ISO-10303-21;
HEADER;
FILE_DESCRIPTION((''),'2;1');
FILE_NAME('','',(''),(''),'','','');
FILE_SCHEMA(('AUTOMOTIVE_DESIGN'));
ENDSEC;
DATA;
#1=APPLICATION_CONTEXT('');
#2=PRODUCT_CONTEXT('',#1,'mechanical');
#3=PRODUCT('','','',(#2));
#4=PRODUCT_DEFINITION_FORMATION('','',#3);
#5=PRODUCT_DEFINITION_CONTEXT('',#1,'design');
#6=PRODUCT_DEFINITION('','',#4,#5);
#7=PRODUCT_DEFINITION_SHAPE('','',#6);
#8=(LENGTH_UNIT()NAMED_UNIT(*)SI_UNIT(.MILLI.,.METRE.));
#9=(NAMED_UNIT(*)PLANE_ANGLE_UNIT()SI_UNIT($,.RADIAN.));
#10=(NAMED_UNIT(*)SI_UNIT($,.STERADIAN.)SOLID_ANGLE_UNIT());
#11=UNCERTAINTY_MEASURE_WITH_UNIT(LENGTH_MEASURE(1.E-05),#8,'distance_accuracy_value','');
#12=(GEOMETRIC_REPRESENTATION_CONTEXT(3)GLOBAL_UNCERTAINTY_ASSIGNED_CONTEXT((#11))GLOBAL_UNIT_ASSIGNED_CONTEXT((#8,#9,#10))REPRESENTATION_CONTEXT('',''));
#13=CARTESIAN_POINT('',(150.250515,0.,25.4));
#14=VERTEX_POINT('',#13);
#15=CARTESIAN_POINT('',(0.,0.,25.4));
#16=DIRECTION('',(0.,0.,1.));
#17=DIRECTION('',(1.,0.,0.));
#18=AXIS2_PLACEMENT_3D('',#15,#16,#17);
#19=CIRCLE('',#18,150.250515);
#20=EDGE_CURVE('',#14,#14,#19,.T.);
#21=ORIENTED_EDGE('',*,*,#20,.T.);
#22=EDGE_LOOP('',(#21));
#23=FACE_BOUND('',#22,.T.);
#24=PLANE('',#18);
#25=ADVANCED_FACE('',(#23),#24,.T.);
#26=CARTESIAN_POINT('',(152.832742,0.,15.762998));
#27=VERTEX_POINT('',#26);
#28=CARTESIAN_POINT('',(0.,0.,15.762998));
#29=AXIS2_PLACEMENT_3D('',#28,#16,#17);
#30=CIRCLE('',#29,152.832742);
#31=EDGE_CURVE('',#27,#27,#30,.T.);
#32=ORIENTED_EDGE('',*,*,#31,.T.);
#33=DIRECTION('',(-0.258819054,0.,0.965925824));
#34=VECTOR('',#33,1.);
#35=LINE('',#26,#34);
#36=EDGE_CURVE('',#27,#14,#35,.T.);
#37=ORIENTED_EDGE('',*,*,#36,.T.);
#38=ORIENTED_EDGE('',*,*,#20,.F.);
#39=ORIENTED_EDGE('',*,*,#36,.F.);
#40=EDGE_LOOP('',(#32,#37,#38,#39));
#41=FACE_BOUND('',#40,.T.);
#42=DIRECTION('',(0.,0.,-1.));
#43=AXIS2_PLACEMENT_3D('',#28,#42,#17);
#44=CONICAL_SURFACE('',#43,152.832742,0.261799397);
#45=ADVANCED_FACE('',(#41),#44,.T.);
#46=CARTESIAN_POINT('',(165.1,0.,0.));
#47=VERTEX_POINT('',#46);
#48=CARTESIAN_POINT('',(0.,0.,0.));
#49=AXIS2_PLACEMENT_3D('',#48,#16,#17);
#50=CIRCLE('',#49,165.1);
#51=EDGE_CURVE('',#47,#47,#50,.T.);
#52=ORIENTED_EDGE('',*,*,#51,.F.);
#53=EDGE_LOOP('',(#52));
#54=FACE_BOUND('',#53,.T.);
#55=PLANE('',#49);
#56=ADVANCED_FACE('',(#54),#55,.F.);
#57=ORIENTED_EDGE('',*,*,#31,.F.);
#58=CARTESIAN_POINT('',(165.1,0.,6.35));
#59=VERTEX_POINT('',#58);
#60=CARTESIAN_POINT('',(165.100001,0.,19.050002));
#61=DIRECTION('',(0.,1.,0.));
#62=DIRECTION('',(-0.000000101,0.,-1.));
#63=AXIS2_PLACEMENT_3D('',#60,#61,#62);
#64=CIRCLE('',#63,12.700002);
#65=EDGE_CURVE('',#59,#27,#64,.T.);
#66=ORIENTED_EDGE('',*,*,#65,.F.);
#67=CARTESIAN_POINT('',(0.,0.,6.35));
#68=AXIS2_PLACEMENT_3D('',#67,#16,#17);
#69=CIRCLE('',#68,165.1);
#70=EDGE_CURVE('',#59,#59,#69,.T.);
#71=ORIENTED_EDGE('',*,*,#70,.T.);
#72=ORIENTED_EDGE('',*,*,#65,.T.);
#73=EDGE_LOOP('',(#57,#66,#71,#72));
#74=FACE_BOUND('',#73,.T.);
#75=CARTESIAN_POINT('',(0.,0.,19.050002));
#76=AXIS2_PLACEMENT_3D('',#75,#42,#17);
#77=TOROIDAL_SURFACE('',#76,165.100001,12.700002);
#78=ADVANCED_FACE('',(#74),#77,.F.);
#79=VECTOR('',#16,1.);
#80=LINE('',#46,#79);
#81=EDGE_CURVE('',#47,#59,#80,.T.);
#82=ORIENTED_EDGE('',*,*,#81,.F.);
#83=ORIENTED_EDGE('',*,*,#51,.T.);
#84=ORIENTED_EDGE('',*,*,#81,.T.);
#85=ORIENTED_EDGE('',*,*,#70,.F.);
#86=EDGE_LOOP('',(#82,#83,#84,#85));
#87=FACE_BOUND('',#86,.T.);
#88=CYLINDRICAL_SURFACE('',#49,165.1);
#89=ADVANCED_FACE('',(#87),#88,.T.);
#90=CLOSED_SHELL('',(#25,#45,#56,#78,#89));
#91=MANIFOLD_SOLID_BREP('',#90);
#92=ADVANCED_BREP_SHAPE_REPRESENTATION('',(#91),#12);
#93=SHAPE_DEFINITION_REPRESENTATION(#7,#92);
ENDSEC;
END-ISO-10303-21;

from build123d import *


with BuildPart() as f1:
    # F0 (on Front) → F1 (revolve)
    with BuildSketch(Plane.XZ):
        with BuildLine():
            Line((0, 25.4), (0, 0))
            Line((0, 0), (165.1, 0))
            Line((165.1, 0), (165.1, 6.35))
            ThreePointArc((165.1, 6.35), (157.36873, 8.974413), (152.832742, 15.762998))
            Line((152.832742, 15.762998), (150.250515, 25.4))
            Line((150.250515, 25.4), (0, 25.4))
        make_face()
    revolve(axis=Axis((0, 0, 62.419255), (0, 0, 1)))


solid = f1.part
